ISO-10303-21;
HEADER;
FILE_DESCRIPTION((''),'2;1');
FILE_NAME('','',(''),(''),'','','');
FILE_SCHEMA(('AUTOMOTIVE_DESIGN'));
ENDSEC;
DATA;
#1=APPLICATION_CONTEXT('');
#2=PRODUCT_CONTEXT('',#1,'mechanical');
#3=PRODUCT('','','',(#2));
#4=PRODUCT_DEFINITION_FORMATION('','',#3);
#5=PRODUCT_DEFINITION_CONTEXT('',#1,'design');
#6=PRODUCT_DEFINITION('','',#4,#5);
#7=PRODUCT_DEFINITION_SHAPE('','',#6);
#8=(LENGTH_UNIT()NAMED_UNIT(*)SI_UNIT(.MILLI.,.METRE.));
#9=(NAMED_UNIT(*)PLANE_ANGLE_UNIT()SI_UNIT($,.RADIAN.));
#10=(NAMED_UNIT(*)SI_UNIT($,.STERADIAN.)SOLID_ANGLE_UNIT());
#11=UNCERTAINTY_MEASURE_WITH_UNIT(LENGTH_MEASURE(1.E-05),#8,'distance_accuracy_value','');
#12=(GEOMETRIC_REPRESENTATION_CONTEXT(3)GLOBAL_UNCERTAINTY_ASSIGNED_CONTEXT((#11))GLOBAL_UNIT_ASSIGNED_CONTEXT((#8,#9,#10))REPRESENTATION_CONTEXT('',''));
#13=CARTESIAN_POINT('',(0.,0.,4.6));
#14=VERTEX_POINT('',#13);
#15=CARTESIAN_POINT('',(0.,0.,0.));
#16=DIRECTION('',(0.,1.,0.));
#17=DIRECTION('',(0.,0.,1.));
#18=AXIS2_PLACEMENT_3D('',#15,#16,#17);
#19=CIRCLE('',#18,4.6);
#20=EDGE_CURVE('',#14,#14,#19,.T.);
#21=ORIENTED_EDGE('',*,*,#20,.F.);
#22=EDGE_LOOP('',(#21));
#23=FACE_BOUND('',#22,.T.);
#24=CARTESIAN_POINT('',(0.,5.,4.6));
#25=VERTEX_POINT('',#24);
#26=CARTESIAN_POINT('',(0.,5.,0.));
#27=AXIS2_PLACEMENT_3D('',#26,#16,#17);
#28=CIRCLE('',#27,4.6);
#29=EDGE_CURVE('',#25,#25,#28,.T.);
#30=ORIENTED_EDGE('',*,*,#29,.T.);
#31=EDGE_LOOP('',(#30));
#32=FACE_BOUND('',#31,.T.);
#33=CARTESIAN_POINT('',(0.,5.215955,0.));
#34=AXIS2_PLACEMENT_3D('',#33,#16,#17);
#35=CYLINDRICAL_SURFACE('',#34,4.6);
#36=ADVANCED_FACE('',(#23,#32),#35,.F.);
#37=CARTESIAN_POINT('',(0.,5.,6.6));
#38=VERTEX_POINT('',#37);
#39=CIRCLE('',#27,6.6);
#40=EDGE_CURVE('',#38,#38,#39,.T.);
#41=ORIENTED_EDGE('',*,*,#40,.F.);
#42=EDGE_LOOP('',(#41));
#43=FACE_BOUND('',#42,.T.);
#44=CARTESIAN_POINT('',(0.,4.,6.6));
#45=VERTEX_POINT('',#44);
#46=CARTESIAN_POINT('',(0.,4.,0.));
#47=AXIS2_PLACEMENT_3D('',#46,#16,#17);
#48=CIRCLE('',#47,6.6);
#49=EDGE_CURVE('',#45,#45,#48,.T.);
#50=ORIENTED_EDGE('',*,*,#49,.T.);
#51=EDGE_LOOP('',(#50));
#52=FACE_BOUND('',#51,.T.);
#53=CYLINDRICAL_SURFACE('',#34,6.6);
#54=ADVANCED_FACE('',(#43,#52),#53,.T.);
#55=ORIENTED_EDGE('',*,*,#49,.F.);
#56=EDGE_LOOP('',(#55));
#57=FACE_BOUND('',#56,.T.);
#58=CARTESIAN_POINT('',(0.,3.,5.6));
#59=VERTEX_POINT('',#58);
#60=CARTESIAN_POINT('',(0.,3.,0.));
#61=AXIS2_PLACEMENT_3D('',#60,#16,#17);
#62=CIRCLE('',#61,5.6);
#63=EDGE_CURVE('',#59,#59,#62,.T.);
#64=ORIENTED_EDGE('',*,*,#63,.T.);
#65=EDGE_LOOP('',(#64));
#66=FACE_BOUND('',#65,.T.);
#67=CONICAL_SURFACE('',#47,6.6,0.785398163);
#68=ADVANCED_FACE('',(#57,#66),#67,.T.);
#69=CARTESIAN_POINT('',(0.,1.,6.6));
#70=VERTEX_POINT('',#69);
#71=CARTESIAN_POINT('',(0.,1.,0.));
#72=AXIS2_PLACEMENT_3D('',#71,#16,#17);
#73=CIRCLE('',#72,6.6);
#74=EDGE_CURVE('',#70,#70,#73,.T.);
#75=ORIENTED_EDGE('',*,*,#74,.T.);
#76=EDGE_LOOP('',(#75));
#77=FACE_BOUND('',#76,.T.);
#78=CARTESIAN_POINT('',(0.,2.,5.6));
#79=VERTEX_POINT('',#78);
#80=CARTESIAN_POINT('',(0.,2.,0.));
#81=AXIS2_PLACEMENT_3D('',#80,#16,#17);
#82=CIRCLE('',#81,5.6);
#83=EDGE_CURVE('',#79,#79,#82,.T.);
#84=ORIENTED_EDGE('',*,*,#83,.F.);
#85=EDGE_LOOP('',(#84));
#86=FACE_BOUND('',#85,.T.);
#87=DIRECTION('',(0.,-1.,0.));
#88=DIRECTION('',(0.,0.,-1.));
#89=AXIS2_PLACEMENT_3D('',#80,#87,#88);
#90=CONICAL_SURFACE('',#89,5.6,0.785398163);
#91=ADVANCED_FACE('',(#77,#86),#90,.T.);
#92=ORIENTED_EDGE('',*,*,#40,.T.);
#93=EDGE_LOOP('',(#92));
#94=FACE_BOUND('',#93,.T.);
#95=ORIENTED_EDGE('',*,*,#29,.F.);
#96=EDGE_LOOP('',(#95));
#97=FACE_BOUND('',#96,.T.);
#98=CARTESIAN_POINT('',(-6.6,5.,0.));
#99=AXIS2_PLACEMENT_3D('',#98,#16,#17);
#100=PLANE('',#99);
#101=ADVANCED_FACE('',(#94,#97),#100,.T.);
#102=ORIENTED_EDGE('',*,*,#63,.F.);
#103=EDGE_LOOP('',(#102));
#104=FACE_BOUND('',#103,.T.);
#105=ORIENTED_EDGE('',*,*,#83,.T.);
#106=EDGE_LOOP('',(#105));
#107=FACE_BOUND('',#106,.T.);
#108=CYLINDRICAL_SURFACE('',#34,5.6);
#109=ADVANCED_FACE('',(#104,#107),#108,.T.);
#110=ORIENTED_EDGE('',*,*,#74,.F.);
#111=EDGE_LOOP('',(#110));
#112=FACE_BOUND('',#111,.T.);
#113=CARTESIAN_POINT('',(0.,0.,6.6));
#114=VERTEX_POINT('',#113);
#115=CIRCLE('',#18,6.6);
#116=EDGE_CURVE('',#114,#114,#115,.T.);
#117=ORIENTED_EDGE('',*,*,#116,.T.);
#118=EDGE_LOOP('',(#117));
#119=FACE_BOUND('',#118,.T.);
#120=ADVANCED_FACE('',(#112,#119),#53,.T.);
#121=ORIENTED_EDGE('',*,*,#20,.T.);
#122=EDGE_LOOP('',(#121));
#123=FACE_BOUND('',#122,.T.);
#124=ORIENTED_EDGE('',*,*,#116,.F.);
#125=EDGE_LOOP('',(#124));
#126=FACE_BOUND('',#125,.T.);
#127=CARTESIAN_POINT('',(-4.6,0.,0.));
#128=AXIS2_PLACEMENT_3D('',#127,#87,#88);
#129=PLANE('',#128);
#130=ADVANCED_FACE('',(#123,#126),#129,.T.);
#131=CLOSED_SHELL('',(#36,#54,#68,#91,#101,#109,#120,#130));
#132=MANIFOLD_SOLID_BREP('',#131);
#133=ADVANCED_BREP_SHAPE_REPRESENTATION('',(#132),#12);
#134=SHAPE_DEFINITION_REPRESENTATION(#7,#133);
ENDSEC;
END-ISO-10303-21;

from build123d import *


with BuildPart() as part:
    # 草图2 → 旋转1 (revolve)
    with BuildSketch(Plane.XY, mode=Mode.PRIVATE) as revolve_1_sk:
        Polygon((-4.6, 0), (-6.6, 0), (-6.6, 1), (-5.6, 2), (-5.6, 3), (-6.6, 4), (-6.6, 5), (-4.6, 5), align=None)
    revolve(revolve_1_sk.sketch.rotate(Axis((0, 5.215955033, 0), (0, -1, 0)), 270), axis=Axis((0, 5.215955033, 0), (0, -1, 0)))


solid = part.part
